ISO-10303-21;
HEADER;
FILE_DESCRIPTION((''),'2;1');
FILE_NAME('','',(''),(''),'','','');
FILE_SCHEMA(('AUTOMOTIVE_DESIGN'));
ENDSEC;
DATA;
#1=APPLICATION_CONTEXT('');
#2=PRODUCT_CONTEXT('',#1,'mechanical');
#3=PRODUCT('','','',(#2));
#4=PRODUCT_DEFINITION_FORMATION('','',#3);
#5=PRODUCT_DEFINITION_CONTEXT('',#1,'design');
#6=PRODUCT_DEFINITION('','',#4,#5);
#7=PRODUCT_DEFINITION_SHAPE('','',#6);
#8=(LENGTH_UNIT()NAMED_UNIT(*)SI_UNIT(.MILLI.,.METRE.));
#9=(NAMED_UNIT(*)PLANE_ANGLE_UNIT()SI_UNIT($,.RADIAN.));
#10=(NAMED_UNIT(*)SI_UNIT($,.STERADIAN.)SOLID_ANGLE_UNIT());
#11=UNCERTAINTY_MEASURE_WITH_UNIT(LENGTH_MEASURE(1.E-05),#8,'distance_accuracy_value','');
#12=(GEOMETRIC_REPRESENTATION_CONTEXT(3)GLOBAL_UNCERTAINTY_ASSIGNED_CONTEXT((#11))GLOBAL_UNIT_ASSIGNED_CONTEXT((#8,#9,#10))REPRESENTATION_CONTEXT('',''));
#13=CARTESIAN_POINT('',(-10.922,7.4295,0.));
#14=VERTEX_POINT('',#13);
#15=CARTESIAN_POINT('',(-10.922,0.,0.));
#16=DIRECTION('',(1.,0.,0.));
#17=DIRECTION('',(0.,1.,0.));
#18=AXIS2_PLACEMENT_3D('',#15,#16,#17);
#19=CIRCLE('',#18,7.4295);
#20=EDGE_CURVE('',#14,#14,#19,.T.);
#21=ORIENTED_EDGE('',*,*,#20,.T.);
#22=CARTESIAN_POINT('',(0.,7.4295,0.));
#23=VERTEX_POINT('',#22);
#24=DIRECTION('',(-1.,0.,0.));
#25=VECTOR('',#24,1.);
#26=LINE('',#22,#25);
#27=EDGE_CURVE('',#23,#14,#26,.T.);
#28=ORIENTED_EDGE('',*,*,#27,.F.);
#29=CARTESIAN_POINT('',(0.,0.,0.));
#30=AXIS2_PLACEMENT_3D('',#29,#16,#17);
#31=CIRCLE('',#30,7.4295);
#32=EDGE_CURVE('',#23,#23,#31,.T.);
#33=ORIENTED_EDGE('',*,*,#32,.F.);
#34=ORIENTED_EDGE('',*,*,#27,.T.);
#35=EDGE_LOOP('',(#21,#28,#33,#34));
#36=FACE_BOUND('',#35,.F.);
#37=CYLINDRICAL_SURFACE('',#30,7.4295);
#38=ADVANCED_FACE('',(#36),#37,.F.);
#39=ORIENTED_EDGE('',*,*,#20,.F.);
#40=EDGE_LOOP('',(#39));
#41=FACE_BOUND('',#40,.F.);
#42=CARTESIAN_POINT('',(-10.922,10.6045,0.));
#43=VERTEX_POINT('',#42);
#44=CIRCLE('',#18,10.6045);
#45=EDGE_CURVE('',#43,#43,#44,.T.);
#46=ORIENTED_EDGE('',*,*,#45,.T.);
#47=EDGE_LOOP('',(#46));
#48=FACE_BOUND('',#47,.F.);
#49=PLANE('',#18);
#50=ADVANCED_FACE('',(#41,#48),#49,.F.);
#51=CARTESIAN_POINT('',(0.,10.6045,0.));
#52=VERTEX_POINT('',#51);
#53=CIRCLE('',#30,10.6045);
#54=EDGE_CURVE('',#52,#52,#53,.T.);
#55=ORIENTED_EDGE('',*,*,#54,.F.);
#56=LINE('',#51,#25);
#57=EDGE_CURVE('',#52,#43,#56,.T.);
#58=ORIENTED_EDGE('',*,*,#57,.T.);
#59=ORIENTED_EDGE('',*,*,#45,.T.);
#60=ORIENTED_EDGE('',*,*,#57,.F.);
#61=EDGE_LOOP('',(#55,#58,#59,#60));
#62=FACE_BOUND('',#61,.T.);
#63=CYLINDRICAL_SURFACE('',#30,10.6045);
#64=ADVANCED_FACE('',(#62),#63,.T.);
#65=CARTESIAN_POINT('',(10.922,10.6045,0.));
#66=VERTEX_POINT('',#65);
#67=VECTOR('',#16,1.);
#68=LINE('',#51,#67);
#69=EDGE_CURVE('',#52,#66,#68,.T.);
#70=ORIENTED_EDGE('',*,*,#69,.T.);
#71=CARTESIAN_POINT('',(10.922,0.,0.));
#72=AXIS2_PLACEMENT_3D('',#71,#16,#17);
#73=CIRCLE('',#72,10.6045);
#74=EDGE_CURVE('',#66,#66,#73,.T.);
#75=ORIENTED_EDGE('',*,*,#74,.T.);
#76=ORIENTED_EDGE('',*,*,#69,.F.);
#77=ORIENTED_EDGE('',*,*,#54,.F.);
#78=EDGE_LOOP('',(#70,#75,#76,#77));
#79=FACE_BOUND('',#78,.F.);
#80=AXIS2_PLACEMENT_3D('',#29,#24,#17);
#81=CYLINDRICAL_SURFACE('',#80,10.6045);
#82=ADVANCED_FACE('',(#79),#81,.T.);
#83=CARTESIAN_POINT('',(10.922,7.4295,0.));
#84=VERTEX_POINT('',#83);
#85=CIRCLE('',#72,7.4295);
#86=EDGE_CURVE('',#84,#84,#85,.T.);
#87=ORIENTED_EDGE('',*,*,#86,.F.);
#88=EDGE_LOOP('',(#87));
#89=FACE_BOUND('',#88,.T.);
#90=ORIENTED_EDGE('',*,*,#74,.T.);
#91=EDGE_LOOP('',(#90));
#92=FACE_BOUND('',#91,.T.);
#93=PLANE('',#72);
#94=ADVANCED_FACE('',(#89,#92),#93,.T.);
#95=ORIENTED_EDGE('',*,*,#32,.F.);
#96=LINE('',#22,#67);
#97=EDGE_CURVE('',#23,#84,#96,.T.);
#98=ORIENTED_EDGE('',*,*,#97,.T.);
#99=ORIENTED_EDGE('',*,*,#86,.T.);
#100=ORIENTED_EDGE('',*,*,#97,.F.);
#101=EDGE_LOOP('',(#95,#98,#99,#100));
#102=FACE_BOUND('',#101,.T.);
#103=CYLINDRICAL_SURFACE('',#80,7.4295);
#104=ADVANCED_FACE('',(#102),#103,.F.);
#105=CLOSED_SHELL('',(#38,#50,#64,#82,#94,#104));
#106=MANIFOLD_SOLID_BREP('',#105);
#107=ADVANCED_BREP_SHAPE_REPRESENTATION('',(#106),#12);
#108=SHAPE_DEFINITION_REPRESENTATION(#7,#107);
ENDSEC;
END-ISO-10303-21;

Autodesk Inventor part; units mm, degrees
ref_plane "YZ Plane" through (0, 0, 0) normal (1, 0, 0) x (0, 1, 0)
ref_plane "XZ Plane" through (0, 0, 0) normal (0, 1, 0) x (-1, 0, 0)
ref_plane "XY Plane" through (0, 0, 0) normal (0, 0, 1) x (1, 0, 0)
sketch "Sketch1" plane through (0, 0, 0) normal (1, 0, 0) x (0, 1, 0)
  circle A0 centre (0, 0) radius 7.4295
  circle A1 centre (0, 0) radius 10.6045
  dimension "d0" = 14.859
  dimension "d1" = 3.175
extrude "Extrusion1" add sketch "Sketch1" along normal mid plane 21.844
properties part number "EL2-CGB-015" material "ABS Plastic"
